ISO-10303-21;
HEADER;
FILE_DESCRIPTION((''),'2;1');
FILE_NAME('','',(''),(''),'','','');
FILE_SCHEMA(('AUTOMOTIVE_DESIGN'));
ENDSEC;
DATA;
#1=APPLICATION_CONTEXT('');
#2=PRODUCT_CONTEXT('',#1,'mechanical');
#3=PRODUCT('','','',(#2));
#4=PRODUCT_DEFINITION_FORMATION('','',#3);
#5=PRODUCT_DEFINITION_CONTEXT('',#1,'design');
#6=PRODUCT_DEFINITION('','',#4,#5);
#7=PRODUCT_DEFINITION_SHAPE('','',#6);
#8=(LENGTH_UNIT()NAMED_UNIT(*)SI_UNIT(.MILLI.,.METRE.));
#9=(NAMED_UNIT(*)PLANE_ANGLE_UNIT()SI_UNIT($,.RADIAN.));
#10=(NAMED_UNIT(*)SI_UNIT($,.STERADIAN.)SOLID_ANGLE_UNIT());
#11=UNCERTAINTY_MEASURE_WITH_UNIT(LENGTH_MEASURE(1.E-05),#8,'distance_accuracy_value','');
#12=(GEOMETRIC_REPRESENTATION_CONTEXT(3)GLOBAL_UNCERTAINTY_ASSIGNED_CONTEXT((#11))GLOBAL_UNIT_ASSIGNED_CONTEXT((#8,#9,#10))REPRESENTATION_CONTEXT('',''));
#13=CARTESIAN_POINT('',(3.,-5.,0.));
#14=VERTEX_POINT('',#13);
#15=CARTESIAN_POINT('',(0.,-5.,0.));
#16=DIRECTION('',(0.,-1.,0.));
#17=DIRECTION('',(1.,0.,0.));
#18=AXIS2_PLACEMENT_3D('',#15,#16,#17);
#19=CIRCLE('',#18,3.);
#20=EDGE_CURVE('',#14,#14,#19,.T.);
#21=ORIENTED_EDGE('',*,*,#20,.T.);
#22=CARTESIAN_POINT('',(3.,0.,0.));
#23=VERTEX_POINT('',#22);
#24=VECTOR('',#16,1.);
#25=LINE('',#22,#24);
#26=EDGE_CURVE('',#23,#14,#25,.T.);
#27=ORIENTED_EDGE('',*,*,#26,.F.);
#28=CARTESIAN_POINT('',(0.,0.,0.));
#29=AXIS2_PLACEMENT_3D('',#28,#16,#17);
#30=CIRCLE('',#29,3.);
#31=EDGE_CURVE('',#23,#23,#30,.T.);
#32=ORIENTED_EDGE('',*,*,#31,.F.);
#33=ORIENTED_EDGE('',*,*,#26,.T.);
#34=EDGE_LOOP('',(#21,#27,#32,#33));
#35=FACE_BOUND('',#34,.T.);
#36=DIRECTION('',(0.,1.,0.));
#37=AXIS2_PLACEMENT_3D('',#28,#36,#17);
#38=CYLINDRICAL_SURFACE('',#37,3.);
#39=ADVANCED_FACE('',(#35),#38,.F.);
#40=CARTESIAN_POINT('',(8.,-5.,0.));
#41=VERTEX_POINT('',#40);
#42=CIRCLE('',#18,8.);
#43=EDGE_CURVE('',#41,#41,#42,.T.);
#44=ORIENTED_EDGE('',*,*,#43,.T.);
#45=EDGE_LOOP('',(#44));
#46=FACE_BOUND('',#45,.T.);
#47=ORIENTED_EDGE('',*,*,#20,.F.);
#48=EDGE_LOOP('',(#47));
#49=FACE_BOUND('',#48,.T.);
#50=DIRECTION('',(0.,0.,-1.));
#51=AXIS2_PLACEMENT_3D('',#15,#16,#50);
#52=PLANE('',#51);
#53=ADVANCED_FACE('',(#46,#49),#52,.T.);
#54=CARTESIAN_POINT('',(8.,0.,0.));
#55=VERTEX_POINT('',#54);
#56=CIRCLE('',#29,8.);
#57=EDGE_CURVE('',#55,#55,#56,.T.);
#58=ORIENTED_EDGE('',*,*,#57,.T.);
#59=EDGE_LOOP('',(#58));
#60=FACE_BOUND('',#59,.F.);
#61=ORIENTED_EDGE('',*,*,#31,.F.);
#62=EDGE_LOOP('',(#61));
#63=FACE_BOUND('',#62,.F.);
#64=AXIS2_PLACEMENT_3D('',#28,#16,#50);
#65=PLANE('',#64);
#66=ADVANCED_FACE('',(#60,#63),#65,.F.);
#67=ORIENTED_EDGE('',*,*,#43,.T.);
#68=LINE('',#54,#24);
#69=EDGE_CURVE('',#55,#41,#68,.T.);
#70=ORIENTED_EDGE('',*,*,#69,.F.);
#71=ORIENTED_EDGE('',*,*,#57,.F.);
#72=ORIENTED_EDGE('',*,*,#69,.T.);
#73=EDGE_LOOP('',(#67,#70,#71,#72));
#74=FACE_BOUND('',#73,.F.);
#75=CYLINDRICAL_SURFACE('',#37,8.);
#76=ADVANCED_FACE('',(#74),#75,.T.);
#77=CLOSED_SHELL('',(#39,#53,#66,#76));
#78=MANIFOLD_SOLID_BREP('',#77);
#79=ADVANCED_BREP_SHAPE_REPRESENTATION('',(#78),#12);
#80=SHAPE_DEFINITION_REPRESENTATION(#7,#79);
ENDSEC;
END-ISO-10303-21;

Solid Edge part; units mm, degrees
sketch "Sketch1" plane through (0, 0, 0) normal (0, -1, 0) x (1, 0, 0)
  circle A0 centre (0, 0) radius 8
  circle A1 centre (0, 0) radius 3
  dimension "D1" = 16
  dimension "D2" = 6
extrude "Extrusionsausprägung_15" add sketch "Sketch1" along normal blind 5
